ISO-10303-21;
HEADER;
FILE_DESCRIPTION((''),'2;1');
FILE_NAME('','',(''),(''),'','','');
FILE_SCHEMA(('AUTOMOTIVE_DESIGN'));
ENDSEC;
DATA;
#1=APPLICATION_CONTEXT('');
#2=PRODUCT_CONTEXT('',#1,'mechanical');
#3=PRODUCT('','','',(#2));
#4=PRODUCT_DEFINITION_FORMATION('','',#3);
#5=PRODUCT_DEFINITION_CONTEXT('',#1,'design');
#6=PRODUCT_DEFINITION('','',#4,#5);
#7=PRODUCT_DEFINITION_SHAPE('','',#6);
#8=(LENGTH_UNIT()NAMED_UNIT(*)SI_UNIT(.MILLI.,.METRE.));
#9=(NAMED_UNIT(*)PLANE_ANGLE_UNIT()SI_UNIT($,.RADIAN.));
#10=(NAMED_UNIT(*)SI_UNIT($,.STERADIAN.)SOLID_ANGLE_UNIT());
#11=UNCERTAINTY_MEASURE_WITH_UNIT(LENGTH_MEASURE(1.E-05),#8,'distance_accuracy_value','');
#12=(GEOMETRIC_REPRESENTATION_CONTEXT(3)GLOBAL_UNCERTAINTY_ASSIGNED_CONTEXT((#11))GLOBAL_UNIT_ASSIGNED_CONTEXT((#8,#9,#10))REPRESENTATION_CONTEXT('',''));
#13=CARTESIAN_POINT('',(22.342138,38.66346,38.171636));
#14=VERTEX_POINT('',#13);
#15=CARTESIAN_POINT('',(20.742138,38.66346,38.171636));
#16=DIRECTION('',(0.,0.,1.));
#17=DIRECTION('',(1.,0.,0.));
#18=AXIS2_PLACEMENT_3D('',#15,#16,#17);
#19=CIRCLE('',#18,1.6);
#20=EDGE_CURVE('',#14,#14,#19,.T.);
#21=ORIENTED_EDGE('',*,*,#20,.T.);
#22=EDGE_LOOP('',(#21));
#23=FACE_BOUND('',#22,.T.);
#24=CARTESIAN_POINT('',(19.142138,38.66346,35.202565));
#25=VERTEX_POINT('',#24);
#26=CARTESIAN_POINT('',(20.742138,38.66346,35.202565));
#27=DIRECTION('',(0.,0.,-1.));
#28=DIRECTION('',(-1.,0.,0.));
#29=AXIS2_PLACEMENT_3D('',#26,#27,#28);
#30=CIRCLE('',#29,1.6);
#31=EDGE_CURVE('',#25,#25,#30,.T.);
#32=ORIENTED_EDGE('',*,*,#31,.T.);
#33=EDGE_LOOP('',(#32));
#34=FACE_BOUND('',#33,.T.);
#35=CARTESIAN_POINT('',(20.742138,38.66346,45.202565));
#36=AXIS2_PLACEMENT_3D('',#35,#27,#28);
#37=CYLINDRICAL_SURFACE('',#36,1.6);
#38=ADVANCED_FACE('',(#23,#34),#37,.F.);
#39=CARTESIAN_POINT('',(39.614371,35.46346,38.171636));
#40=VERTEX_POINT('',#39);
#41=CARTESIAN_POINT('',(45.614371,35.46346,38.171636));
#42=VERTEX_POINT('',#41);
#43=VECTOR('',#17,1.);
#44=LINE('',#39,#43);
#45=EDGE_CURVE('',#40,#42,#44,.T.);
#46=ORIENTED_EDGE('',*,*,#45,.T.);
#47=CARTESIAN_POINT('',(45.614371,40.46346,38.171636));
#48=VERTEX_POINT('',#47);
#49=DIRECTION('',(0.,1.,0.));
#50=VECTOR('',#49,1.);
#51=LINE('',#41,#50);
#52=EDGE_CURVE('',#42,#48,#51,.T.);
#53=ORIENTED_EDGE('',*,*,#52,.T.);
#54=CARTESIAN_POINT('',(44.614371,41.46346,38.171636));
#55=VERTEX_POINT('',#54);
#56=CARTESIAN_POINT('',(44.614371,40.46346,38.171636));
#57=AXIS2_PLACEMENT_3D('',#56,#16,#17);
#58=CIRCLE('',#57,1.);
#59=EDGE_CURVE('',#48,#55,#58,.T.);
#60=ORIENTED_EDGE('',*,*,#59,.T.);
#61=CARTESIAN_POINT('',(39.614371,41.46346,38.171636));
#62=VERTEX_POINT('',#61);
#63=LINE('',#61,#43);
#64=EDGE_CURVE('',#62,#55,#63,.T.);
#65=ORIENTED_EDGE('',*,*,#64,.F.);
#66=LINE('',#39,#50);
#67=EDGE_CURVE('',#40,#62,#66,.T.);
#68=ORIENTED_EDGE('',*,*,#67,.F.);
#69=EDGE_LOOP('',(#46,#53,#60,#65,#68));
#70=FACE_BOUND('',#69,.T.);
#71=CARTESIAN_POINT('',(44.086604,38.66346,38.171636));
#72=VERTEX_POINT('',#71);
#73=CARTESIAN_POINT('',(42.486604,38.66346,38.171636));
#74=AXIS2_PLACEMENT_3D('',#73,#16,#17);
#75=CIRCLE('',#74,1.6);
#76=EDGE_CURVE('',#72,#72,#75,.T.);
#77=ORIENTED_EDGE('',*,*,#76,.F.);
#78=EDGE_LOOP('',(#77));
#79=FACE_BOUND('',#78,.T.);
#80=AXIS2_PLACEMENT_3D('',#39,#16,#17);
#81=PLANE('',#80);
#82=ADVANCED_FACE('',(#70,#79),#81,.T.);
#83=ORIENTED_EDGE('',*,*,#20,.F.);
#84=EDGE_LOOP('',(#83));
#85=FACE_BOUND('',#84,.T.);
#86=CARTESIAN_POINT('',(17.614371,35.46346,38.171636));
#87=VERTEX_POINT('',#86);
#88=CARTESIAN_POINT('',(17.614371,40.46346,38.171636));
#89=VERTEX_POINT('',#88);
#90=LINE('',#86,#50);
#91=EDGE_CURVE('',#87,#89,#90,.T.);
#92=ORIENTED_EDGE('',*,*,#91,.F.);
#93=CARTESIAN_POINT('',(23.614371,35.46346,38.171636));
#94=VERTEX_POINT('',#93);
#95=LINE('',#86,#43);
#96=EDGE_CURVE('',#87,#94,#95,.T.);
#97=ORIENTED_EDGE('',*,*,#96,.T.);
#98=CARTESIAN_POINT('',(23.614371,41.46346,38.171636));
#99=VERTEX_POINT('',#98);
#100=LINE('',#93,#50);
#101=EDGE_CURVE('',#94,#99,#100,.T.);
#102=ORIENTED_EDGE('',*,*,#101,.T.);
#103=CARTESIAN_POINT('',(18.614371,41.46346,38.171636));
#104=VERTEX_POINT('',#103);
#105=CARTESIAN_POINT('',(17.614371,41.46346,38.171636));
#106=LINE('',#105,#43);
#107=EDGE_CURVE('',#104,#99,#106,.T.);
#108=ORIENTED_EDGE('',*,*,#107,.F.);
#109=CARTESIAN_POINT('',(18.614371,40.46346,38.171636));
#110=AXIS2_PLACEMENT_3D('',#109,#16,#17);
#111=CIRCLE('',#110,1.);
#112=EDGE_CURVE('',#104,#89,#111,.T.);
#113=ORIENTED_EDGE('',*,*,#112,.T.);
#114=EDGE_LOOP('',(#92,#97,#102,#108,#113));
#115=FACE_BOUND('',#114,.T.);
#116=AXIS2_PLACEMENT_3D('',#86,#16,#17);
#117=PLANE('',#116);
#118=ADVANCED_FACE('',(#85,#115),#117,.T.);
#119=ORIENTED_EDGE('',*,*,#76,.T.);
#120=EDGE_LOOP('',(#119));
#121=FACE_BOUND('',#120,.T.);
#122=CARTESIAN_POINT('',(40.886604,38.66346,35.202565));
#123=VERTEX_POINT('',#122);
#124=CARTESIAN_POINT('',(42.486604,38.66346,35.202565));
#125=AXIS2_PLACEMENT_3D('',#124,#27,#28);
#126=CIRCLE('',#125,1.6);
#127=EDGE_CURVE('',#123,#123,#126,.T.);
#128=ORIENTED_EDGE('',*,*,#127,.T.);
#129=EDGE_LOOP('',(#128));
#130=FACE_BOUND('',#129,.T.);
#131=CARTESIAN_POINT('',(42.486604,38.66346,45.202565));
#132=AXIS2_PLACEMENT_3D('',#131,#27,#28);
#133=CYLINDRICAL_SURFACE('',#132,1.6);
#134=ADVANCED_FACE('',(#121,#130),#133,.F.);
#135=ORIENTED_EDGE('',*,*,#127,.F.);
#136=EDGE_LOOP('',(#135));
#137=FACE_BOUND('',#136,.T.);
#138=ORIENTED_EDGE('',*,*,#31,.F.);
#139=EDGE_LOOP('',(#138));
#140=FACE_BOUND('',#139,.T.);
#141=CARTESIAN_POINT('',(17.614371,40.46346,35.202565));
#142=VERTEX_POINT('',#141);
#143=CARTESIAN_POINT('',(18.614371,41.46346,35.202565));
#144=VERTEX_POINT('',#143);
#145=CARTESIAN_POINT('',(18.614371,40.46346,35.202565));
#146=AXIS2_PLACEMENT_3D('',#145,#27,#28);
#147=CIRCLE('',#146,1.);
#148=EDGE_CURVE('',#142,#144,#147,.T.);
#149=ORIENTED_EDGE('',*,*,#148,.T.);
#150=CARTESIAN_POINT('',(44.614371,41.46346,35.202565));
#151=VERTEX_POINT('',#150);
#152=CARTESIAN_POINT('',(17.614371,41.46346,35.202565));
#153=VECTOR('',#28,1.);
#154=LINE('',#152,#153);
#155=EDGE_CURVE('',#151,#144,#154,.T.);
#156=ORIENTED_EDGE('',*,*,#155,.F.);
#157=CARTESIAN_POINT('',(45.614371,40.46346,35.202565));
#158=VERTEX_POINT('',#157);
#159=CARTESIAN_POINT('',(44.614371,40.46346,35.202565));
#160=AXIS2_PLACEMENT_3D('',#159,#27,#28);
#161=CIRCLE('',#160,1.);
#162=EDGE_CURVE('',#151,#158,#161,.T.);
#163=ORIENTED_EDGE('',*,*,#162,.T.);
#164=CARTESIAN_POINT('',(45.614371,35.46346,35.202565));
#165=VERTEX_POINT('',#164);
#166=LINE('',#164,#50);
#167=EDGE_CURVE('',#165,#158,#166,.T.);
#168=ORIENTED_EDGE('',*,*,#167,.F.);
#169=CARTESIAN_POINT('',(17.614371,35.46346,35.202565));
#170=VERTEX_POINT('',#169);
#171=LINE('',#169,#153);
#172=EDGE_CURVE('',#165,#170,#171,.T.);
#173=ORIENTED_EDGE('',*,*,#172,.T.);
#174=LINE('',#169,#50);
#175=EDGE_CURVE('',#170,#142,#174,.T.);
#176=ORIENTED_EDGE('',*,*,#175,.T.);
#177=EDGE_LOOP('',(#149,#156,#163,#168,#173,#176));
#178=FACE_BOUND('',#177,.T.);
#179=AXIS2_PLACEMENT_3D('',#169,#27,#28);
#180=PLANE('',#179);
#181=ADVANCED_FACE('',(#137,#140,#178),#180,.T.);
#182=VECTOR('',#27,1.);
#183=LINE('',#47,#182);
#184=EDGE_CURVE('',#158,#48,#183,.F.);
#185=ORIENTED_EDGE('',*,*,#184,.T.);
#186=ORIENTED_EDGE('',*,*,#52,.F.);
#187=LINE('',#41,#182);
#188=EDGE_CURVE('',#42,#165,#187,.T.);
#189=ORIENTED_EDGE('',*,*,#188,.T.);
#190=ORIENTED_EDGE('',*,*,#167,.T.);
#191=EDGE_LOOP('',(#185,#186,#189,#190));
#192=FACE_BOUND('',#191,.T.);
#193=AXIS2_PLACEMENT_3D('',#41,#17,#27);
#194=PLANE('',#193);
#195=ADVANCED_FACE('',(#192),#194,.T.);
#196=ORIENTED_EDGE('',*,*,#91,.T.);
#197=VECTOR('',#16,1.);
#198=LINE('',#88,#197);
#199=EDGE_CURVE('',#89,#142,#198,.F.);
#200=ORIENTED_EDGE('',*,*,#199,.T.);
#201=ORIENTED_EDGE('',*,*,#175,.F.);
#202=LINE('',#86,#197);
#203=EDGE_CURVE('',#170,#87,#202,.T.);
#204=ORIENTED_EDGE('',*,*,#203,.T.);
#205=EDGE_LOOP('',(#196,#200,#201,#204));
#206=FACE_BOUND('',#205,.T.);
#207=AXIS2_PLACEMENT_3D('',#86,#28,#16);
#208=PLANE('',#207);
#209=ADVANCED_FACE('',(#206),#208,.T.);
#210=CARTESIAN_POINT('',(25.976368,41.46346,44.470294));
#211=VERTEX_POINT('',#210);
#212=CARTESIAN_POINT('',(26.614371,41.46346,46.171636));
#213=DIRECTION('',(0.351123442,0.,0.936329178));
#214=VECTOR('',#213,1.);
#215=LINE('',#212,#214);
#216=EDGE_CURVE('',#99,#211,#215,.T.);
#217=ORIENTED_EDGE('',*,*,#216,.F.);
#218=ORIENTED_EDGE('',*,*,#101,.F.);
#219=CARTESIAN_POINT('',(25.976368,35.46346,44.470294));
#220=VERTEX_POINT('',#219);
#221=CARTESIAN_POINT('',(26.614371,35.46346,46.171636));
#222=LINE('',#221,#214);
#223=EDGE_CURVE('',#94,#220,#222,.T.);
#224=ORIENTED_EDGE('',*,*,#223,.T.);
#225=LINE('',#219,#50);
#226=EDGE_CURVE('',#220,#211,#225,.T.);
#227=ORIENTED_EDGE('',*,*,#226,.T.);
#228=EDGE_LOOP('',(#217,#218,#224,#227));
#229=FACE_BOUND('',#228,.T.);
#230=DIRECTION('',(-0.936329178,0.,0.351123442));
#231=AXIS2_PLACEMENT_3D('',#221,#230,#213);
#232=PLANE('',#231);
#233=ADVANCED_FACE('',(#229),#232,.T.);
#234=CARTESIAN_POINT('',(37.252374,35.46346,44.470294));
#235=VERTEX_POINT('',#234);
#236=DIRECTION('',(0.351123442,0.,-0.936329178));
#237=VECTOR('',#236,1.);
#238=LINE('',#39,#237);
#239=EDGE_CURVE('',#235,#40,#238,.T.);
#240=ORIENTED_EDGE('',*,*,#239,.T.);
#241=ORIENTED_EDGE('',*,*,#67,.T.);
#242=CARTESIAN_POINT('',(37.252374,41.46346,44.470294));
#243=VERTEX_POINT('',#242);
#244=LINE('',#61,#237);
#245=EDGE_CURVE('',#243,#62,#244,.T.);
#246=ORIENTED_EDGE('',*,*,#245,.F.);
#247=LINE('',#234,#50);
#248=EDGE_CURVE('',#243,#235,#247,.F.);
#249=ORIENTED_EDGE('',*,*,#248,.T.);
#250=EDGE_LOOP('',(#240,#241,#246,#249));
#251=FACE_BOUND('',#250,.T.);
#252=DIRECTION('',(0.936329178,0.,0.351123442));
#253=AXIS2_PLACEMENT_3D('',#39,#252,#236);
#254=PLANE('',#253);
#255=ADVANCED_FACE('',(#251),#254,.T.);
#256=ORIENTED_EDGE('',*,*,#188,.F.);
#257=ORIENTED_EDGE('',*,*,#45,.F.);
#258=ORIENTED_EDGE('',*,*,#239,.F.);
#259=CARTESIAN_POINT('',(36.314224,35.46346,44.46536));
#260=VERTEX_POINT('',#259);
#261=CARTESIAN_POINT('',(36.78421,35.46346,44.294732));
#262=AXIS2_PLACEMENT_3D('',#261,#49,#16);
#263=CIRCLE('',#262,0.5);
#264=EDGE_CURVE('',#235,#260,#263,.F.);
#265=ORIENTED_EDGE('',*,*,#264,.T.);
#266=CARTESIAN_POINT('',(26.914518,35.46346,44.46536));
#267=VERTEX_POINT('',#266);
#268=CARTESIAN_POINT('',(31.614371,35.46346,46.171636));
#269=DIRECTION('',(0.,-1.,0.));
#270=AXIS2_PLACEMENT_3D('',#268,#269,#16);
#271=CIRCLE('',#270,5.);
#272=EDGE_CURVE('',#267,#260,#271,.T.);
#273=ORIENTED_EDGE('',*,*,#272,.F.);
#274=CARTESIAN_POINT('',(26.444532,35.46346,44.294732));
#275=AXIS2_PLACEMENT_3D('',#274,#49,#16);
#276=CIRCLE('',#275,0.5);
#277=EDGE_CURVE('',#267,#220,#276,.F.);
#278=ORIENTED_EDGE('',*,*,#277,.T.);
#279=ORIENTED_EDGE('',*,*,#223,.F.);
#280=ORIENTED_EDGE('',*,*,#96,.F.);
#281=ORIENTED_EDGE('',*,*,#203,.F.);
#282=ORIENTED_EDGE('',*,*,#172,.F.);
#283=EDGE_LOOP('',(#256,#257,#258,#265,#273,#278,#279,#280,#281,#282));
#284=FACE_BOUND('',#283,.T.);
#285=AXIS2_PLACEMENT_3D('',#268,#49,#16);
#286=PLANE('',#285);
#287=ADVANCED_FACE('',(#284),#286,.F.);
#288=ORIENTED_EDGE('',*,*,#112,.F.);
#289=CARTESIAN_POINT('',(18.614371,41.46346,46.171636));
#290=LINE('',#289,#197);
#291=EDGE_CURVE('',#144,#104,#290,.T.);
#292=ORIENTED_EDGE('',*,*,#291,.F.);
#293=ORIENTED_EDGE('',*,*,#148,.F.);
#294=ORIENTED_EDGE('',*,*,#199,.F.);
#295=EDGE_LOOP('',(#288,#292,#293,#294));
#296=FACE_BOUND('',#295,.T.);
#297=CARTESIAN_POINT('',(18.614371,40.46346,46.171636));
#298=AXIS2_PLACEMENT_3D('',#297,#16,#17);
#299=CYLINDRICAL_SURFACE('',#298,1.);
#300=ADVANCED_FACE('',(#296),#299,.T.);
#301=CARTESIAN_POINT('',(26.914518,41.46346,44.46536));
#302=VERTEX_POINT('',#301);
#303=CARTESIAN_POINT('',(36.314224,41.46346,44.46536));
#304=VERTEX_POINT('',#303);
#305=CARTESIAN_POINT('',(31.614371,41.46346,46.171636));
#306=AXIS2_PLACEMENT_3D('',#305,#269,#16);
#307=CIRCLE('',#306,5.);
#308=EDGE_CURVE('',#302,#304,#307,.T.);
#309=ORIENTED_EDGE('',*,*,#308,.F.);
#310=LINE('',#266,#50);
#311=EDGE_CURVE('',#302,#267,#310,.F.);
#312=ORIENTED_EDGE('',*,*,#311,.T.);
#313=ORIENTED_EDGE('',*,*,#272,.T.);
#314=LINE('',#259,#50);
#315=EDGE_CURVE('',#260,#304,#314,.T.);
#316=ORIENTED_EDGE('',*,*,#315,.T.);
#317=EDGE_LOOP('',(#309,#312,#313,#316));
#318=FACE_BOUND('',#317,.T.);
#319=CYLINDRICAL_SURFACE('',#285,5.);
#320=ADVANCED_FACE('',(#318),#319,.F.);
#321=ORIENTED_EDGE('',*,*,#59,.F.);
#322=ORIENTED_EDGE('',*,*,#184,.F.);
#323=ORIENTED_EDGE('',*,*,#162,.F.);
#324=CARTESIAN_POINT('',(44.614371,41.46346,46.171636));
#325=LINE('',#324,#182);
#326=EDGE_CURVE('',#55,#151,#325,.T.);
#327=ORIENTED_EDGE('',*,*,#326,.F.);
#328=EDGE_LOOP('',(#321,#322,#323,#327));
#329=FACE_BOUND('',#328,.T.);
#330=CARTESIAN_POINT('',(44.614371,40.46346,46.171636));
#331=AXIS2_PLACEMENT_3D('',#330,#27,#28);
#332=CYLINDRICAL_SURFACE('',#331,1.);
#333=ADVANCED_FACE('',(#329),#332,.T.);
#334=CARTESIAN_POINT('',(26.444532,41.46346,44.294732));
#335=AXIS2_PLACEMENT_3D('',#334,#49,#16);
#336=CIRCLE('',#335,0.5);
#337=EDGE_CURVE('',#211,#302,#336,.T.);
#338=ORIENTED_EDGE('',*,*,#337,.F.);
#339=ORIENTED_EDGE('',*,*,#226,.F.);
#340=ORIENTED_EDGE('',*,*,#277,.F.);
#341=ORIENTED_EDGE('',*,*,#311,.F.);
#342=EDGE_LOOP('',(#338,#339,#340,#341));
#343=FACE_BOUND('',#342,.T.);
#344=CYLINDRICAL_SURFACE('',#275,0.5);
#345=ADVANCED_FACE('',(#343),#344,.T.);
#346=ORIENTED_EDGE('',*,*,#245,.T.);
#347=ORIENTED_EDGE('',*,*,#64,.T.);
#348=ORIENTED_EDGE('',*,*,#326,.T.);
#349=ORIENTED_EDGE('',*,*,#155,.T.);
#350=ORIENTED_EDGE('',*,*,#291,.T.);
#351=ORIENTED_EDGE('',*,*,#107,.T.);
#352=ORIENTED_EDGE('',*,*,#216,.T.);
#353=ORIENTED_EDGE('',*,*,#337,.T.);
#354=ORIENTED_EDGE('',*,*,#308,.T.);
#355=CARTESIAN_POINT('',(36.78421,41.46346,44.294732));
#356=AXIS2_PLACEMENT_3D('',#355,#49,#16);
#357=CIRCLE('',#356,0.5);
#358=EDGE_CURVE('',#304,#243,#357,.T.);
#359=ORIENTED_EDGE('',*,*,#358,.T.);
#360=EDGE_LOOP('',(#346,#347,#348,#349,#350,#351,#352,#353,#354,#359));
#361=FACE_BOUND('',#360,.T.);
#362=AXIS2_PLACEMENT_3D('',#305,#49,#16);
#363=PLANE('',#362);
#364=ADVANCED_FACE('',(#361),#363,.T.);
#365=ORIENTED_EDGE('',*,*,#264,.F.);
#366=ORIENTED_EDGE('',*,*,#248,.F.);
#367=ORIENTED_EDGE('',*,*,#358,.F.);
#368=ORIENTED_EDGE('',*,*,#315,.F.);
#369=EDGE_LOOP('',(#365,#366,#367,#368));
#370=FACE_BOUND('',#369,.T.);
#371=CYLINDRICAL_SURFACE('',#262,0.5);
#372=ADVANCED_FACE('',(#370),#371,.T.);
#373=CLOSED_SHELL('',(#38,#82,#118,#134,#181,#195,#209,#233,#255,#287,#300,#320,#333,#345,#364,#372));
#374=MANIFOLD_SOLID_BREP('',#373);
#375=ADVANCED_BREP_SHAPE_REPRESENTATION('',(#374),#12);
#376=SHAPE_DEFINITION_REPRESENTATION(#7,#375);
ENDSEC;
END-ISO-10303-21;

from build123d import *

# Parameters (mm, degrees)
BOSS_EXTRUDE1_DEPTH = 6
FILLET1_R           = 1
FILLET2_R           = 0.5
SKETCH2_R           = 1.6
CUT_EXTRUDE2_DEPTH  = 10


with BuildPart() as part:
    # Sketch1 → Boss-Extrude1 (new body)
    with BuildSketch(Plane(origin=(0, 41.463460463, 0), x_dir=(1, 0, 0), z_dir=(0, 1, 0))):
        with BuildLine():
            Line((26.614370899, -46.171636097), (23.614370899, -38.171636097))
            Line((23.614370899, -38.171636097), (17.614370899, -38.171636097))
            Line((17.614370899, -38.171636097), (17.614370899, -35.202564725))
            Line((17.614370899, -35.202564725), (45.614370899, -35.202564725))
            Line((45.614370899, -35.202564725), (45.614370899, -38.171636097))
            Line((45.614370899, -38.171636097), (39.614370899, -38.171636097))
            Line((39.614370899, -38.171636097), (36.614370899, -46.171636097))
            ThreePointArc((36.614370899, -46.171636097), (31.614370899, -41.171636097), (26.614370899, -46.171636097))
        make_face()
    extrude(amount=-BOSS_EXTRUDE1_DEPTH)

    # Fillet1
    fillet1_edges = [part.edges().sort_by_distance(p)[0] for p in [
        (17.614370899, 41.463460463, 36.687100411),
        (45.614370899, 41.463460463, 36.687100411),
    ]]
    fillet(fillet1_edges, radius=FILLET1_R)

    # Fillet2
    fillet2_edges = [part.edges().sort_by_distance(p)[0] for p in [
        (36.614370899, 38.463460463, 46.171636097),
        (26.614370899, 38.463460463, 46.171636097),
    ]]
    fillet(fillet2_edges, radius=FILLET2_R)

    # Sketch2 → Cut-Extrude2 (cut)
    with BuildSketch(Plane(origin=(0, 0, 35.202564725), x_dir=(-1, 0, 0), z_dir=(0, 0, -1))):
        with Locations((-20.74213752, 38.663460463)):
            Circle(SKETCH2_R)
        with Locations((-42.486604277, 38.663460463)):
            Circle(SKETCH2_R)
    extrude(amount=-CUT_EXTRUDE2_DEPTH, mode=Mode.SUBTRACT)


solid = part.part
